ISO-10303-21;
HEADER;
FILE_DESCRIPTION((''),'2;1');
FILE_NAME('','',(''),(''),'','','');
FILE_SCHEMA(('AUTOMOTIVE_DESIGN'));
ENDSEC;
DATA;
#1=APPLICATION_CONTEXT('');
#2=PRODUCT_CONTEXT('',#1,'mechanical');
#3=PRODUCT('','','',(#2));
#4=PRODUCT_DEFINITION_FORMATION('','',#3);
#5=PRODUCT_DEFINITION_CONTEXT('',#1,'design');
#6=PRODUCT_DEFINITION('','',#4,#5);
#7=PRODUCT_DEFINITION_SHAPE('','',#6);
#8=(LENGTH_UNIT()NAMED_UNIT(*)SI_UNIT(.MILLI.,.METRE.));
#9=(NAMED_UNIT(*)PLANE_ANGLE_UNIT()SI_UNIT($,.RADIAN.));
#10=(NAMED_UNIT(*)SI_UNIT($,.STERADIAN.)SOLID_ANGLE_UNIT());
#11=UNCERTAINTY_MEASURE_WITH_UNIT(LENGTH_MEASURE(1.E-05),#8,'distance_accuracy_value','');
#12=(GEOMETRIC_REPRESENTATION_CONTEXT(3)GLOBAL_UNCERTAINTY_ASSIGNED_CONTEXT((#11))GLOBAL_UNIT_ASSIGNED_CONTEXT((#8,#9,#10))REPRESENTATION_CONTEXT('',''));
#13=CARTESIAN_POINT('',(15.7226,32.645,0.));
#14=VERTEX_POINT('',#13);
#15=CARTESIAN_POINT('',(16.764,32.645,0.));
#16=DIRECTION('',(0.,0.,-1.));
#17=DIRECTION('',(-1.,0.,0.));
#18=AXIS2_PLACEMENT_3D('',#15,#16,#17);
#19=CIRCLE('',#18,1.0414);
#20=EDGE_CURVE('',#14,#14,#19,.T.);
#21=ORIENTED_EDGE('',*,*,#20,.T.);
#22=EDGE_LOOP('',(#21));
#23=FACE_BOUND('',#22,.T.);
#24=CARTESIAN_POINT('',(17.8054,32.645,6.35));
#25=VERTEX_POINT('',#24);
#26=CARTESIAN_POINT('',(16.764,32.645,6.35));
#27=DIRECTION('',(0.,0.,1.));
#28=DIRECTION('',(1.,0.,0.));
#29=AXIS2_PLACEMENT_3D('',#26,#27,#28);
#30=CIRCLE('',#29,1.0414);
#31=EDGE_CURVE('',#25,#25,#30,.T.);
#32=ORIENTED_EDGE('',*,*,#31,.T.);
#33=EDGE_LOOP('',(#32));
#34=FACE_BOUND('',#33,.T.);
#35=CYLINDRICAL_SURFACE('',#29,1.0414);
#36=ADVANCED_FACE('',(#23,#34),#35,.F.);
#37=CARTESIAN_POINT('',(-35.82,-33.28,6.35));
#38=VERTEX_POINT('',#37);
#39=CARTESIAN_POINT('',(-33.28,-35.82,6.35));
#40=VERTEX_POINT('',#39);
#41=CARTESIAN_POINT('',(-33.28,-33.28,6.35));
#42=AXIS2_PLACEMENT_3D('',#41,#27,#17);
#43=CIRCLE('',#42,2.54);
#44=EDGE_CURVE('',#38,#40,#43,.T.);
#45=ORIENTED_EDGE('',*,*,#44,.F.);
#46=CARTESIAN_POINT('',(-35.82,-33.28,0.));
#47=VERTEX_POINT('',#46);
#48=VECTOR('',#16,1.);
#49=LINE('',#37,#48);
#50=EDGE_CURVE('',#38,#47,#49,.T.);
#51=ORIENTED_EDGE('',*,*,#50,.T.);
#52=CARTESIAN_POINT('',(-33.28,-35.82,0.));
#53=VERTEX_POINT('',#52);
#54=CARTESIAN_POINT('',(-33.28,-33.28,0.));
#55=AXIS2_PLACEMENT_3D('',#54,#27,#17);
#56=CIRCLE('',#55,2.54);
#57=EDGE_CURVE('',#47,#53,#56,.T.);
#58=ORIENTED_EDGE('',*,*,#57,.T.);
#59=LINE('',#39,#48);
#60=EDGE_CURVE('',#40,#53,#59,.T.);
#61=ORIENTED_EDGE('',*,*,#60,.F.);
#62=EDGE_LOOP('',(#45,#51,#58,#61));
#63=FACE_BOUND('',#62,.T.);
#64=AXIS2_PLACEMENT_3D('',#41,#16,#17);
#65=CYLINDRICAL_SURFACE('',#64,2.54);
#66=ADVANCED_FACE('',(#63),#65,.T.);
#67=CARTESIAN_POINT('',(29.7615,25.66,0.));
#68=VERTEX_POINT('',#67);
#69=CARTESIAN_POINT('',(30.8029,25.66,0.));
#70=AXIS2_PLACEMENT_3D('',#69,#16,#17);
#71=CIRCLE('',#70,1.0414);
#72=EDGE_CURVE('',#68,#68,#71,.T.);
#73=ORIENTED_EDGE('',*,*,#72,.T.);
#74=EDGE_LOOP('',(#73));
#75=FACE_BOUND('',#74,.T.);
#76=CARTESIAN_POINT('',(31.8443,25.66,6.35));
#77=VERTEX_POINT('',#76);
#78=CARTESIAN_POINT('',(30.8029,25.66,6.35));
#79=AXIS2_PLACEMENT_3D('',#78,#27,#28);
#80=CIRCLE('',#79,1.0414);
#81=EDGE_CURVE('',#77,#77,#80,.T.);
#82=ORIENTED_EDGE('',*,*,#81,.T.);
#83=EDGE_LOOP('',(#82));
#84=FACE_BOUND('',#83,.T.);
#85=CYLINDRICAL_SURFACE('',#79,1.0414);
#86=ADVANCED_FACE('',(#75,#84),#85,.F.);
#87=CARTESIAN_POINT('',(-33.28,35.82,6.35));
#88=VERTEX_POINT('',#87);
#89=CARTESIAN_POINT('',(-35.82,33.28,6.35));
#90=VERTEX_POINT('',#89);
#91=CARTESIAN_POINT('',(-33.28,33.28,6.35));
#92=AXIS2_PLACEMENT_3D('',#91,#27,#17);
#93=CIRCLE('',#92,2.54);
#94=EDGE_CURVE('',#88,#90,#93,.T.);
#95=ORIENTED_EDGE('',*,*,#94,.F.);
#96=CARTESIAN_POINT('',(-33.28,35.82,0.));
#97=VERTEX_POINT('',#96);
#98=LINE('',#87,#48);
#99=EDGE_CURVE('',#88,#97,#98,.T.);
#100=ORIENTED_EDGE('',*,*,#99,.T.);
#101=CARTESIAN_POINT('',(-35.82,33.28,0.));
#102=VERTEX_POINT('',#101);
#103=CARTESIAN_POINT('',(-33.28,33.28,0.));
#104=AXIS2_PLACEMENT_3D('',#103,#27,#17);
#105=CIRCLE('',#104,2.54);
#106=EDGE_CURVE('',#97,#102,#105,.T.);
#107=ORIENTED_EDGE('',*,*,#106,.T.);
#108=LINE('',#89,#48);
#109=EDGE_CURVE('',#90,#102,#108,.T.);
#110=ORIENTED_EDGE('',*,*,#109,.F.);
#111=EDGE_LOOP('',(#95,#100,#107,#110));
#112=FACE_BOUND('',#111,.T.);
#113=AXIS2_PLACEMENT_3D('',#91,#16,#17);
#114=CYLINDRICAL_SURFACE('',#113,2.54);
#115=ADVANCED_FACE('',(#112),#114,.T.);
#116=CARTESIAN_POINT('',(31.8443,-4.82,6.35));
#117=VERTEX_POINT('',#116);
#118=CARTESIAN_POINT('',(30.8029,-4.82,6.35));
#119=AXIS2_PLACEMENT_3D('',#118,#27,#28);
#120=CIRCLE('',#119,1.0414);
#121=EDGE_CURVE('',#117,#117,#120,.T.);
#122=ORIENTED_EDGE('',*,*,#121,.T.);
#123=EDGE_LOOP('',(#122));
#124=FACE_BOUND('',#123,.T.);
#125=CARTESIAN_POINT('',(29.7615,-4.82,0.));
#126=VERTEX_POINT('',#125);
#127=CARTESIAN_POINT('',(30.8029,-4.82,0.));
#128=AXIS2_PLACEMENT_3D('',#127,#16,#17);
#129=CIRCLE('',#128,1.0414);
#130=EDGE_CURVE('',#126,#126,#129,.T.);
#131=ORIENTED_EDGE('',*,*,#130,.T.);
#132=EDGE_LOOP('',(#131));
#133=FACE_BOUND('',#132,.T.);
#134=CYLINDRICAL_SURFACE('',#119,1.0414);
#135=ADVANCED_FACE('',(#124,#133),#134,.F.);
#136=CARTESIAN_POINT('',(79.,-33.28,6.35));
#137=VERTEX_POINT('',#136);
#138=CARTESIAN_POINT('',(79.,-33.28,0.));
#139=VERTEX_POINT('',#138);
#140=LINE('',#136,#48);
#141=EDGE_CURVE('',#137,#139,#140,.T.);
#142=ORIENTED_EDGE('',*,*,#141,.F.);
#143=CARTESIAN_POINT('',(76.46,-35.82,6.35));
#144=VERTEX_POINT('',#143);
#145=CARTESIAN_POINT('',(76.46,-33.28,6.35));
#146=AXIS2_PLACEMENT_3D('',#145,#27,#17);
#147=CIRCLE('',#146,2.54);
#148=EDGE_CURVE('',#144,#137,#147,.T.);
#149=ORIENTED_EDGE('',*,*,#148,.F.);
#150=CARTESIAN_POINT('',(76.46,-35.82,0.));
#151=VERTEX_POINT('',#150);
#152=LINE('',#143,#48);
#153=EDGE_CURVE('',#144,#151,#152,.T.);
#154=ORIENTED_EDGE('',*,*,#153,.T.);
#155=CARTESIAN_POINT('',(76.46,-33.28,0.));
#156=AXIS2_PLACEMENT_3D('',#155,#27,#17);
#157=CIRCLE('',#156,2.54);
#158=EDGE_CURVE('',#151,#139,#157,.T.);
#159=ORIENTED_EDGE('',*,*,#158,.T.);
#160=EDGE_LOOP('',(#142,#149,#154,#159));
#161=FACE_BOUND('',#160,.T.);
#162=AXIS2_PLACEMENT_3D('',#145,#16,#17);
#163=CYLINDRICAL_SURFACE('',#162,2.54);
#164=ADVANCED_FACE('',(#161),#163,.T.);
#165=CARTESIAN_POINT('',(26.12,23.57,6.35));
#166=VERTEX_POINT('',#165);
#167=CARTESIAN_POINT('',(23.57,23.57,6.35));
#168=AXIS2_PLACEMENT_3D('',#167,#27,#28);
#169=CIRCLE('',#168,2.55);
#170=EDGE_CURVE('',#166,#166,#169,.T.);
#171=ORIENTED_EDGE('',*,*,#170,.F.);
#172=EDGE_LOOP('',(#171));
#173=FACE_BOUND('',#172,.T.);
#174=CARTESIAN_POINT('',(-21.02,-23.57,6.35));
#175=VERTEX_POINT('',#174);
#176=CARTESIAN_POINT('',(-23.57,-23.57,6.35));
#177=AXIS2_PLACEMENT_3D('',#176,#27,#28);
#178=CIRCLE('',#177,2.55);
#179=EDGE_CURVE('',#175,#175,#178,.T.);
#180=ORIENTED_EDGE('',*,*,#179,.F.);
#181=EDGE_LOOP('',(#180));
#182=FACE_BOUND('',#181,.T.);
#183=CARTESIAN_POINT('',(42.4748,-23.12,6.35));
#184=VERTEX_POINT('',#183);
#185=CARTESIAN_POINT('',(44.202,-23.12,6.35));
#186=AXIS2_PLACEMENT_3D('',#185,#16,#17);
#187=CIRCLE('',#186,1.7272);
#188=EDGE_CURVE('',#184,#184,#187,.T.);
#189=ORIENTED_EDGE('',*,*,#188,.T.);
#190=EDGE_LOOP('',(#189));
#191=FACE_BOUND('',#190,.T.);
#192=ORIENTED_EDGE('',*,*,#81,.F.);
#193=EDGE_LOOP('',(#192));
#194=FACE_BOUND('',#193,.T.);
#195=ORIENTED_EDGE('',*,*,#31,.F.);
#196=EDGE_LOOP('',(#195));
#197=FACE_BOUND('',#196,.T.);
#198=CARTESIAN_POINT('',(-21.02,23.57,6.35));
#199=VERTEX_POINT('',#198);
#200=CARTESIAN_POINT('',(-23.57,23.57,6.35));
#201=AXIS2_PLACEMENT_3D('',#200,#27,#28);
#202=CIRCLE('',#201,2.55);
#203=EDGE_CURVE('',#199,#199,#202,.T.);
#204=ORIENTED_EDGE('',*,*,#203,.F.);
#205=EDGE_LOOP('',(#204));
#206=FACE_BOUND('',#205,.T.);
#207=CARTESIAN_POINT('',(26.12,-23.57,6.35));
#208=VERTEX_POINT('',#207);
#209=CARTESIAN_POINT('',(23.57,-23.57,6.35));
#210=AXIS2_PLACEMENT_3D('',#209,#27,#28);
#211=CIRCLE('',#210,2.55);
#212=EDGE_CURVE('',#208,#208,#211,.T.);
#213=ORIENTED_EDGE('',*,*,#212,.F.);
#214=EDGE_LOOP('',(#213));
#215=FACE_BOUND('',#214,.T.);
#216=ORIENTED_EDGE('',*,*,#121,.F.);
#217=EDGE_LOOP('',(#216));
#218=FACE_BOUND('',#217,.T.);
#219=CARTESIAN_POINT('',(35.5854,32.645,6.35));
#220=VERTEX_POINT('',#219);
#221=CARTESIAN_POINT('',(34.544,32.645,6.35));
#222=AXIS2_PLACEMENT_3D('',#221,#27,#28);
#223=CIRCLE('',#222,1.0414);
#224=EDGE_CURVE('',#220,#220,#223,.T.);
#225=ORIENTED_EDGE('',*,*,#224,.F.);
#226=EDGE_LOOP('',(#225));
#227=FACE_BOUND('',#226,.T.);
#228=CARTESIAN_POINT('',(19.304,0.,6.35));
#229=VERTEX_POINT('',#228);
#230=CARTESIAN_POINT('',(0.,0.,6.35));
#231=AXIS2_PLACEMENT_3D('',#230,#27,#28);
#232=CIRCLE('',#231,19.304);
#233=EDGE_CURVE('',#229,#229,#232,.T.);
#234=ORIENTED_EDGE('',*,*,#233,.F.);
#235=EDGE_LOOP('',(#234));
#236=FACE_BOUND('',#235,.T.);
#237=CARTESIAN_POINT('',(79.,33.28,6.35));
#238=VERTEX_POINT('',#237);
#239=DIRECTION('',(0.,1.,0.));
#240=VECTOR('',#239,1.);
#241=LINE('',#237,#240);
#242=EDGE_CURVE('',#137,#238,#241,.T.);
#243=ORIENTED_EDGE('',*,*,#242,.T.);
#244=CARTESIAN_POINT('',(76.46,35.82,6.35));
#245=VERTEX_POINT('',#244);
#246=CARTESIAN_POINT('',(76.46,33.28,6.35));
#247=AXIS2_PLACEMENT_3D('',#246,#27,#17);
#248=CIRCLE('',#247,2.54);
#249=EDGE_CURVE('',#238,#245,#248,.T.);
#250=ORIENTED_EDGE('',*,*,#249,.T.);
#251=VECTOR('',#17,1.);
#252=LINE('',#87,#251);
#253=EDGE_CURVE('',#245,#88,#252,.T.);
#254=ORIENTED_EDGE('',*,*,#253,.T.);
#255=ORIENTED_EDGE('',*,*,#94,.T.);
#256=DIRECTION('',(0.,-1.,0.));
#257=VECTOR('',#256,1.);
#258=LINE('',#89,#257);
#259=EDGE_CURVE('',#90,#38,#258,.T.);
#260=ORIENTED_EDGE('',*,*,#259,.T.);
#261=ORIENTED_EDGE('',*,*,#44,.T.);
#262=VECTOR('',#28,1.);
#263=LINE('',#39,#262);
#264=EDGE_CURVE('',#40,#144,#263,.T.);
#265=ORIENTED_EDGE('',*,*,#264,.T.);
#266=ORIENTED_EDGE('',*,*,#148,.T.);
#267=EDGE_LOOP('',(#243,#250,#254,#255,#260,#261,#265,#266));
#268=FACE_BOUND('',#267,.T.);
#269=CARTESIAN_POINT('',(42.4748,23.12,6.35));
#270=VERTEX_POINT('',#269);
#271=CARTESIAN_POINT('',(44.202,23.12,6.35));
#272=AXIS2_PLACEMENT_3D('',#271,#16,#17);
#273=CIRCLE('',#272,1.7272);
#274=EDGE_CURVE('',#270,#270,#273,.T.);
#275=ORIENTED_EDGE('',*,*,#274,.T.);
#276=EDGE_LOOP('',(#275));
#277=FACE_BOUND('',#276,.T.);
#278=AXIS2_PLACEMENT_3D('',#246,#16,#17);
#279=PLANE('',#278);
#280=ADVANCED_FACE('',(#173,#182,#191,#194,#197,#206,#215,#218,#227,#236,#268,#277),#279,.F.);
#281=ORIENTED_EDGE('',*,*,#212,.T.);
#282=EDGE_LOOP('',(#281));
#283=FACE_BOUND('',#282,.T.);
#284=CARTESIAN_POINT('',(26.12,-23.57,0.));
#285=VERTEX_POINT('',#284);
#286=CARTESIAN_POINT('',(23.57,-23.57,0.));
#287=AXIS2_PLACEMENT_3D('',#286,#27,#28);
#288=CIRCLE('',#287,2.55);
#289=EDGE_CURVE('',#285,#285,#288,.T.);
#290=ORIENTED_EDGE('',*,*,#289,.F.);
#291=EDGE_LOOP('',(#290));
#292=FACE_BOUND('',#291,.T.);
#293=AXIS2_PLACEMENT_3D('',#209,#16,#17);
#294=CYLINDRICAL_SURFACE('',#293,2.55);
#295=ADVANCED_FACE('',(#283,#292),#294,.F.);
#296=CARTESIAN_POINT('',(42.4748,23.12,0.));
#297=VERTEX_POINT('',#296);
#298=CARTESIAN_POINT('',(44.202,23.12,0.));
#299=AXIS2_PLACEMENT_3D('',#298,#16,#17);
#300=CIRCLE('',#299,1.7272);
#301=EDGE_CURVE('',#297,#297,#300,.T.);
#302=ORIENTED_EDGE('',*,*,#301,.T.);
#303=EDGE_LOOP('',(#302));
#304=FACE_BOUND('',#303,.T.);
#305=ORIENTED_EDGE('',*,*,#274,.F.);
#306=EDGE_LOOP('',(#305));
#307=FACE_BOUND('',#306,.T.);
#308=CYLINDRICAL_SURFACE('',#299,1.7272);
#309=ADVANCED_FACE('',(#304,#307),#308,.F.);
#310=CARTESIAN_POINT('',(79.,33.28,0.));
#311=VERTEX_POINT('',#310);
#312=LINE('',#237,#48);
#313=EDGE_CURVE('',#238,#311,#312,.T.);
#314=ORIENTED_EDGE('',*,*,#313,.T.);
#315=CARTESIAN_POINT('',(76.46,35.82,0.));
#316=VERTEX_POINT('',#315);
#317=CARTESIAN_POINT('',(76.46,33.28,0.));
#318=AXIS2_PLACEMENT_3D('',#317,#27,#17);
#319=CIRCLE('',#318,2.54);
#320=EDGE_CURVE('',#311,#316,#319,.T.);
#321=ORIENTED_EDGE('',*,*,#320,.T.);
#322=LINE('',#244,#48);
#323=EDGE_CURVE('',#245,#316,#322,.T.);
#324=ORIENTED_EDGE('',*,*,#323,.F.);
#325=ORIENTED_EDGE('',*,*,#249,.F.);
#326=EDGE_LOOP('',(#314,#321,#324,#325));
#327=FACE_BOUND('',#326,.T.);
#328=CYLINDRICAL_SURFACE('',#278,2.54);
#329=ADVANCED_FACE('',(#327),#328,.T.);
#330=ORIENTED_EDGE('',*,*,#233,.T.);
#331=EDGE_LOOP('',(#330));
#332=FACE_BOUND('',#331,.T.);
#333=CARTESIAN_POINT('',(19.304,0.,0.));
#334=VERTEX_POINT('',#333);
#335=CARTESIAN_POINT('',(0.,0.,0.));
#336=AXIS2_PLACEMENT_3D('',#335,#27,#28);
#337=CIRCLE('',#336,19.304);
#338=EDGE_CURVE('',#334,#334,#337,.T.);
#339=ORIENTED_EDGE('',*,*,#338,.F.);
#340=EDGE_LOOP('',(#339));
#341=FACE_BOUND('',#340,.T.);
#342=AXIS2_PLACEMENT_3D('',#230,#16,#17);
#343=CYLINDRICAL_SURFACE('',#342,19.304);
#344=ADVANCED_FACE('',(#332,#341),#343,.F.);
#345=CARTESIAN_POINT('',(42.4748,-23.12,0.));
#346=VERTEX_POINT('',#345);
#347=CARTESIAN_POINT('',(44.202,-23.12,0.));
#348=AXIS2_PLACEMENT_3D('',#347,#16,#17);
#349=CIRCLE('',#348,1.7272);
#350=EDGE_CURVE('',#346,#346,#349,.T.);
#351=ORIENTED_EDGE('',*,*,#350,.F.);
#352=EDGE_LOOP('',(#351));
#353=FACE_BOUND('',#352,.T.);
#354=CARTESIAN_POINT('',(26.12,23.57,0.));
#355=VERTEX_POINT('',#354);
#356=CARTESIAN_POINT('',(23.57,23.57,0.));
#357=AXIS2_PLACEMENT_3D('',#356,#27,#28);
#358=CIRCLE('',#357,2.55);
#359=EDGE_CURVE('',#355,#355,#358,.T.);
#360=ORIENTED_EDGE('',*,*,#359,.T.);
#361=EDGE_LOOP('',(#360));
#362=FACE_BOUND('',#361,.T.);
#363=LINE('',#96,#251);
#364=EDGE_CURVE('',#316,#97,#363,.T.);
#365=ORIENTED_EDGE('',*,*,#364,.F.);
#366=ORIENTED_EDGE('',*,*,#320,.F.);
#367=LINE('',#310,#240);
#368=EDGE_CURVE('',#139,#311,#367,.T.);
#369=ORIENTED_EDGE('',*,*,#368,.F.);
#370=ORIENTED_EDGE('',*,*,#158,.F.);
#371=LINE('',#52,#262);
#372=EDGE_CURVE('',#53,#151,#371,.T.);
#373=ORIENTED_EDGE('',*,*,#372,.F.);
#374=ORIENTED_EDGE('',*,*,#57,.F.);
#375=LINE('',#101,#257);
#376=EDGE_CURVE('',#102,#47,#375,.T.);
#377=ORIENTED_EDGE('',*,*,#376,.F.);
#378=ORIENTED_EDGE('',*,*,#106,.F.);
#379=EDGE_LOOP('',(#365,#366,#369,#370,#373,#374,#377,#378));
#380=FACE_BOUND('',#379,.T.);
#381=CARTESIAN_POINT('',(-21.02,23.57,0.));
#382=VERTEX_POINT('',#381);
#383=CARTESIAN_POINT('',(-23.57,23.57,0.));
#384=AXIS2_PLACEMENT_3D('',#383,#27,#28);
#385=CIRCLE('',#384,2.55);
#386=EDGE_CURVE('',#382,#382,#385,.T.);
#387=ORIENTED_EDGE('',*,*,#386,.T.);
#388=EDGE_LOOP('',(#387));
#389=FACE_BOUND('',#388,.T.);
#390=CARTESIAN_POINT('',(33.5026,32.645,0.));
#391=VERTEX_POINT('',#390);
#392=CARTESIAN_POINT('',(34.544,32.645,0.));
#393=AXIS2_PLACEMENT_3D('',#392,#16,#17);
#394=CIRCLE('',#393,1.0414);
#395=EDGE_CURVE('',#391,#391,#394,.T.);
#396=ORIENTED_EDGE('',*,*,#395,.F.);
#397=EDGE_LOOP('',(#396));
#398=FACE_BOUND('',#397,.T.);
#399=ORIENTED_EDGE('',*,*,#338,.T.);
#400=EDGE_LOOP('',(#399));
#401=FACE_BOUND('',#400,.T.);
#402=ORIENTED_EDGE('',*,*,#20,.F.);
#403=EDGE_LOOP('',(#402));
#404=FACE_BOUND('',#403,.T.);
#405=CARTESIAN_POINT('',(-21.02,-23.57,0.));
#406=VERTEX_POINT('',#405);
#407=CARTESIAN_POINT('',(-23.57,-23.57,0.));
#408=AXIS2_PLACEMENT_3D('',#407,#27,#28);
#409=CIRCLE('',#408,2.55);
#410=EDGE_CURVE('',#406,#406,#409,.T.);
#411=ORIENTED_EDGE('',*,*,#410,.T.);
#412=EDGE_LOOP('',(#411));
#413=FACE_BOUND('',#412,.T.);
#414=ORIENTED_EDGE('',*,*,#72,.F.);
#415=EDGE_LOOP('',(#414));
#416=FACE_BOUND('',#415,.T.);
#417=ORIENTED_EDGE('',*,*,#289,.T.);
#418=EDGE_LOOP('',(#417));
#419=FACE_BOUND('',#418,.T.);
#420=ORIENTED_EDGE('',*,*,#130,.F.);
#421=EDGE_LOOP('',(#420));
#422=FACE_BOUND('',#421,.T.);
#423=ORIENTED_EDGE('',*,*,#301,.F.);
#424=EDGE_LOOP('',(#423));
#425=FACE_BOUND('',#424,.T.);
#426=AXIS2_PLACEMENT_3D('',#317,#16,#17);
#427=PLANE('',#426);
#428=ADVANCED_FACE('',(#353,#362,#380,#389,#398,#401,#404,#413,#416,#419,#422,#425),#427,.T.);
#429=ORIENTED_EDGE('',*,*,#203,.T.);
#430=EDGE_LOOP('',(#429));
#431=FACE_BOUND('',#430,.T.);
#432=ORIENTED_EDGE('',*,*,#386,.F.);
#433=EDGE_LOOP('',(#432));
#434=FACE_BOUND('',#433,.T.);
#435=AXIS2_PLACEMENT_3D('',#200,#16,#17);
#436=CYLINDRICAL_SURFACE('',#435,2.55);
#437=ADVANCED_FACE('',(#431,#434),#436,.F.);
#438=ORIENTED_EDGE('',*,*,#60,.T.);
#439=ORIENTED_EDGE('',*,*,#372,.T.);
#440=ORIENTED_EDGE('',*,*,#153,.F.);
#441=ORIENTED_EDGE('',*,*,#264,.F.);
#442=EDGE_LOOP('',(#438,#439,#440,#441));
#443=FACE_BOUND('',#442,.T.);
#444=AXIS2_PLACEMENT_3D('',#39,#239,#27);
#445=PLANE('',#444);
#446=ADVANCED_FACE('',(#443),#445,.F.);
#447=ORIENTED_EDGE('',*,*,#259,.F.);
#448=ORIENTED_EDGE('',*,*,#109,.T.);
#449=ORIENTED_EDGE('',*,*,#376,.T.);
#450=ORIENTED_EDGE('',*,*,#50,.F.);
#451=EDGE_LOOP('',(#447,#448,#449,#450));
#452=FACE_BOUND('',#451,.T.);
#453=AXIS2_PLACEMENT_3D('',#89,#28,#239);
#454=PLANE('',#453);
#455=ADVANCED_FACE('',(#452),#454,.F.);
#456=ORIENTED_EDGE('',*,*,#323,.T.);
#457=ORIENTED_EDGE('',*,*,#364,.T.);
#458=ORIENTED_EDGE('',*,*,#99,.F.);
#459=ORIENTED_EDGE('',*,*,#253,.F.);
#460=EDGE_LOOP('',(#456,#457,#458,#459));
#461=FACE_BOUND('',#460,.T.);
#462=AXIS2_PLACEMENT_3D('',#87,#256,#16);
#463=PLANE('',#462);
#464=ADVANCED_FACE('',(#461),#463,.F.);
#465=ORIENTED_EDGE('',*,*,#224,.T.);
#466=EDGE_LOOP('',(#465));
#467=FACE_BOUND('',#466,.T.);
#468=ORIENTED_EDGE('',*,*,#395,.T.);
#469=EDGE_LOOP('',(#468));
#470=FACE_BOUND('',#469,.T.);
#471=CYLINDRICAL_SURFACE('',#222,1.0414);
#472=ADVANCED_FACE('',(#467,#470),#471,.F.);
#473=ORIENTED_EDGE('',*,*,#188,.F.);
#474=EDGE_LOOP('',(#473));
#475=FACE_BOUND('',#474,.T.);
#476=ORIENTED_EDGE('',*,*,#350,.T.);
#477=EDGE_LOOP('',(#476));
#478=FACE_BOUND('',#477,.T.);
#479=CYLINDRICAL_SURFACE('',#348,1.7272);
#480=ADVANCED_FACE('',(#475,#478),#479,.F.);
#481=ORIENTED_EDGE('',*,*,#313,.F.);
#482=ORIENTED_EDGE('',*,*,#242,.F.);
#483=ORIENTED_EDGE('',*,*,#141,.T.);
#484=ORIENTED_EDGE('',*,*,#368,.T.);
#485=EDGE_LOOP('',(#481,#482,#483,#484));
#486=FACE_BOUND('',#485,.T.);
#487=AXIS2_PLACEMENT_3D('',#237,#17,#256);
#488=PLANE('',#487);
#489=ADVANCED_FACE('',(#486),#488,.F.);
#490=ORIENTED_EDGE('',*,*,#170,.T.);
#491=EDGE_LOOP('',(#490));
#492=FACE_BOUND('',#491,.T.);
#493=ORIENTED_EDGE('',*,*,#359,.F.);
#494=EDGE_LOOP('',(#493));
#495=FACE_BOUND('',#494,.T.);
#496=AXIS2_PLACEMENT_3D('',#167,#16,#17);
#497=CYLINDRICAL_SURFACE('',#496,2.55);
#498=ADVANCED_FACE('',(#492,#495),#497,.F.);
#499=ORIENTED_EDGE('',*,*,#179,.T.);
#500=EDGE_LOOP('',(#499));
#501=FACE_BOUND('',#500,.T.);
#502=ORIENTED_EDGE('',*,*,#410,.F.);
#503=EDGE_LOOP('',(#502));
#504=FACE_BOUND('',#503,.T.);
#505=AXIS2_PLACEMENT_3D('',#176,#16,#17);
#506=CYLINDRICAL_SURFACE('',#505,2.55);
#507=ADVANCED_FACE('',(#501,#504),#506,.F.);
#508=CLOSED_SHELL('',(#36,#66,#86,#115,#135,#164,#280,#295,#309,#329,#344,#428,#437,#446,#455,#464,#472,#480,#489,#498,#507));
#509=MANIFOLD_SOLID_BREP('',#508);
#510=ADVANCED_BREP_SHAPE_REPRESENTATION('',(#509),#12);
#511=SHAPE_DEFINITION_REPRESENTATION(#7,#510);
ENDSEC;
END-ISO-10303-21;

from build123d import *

# Parameters (mm, degrees)
SKETCH3_R                     = 19.304
SKETCH3_R_2                   = 2.55
BOSS_EXTRUDE1_DEPTH           = 6.35
TAP_DRILL_FOR_3_56_TAP1_D     = 2.0828
TAP_DRILL_FOR_3_56_TAP1_DEPTH = 7.62
TAP_DRILL_FOR_3_56_TAP1_TIP   = 0.625736249
TAP_DRILL_FOR_8_32_TAP2_D     = 3.4544


with BuildPart() as part:
    # Sketch3 → Boss-Extrude1 (new body)
    with BuildSketch(Plane.XY):
        with BuildLine():
            Line((-33.28, 35.82), (76.46, 35.82))
            ThreePointArc((76.46, 35.82), (78.256051224, 35.076051224), (79, 33.28))
            Line((79, 33.28), (79, -33.28))
            ThreePointArc((79, -33.28), (78.256051224, -35.076051224), (76.46, -35.82))
            Line((76.46, -35.82), (-33.28, -35.82))
            ThreePointArc((-33.28, -35.82), (-35.076051224, -35.076051224), (-35.82, -33.28))
            Line((-35.82, -33.28), (-35.82, 33.28))
            ThreePointArc((-35.82, 33.28), (-35.076051224, 35.076051224), (-33.28, 35.82))
        make_face()
        Circle(SKETCH3_R, mode=Mode.SUBTRACT)
        with Locations((23.57, 23.57)):
            Circle(SKETCH3_R_2, mode=Mode.SUBTRACT)
        with Locations((-23.57, 23.57)):
            Circle(SKETCH3_R_2, mode=Mode.SUBTRACT)
        with Locations((-23.57, -23.57)):
            Circle(SKETCH3_R_2, mode=Mode.SUBTRACT)
        with Locations((23.57, -23.57)):
            Circle(SKETCH3_R_2, mode=Mode.SUBTRACT)
    extrude(amount=BOSS_EXTRUDE1_DEPTH)

    # Tap Drill for #3-56 Tap1
    with Locations(Plane(origin=(0, 0, 6.35), x_dir=(-1, 0, 0), z_dir=(0, 0, 1))):
        with Locations((-30.8029, 4.82), (-34.544, -32.645), (-16.764, -32.645), (-30.8029, -25.66)):
            Hole(TAP_DRILL_FOR_3_56_TAP1_D / 2, depth=TAP_DRILL_FOR_3_56_TAP1_DEPTH)
            with Locations((0, 0, -(TAP_DRILL_FOR_3_56_TAP1_DEPTH + TAP_DRILL_FOR_3_56_TAP1_TIP / 2))):  # 118° drill point
                Cone(0, TAP_DRILL_FOR_3_56_TAP1_D / 2, TAP_DRILL_FOR_3_56_TAP1_TIP, mode=Mode.SUBTRACT)

    # Tap Drill for #8-32 Tap2 (through all)
    with Locations(Plane(origin=(0, 0, 0), x_dir=(-1, 0, 0), z_dir=(0, 0, -1))):
        with Locations((-44.202, 23.12), (-44.202, -23.12)):
            Hole(TAP_DRILL_FOR_8_32_TAP2_D / 2)


solid = part.part
